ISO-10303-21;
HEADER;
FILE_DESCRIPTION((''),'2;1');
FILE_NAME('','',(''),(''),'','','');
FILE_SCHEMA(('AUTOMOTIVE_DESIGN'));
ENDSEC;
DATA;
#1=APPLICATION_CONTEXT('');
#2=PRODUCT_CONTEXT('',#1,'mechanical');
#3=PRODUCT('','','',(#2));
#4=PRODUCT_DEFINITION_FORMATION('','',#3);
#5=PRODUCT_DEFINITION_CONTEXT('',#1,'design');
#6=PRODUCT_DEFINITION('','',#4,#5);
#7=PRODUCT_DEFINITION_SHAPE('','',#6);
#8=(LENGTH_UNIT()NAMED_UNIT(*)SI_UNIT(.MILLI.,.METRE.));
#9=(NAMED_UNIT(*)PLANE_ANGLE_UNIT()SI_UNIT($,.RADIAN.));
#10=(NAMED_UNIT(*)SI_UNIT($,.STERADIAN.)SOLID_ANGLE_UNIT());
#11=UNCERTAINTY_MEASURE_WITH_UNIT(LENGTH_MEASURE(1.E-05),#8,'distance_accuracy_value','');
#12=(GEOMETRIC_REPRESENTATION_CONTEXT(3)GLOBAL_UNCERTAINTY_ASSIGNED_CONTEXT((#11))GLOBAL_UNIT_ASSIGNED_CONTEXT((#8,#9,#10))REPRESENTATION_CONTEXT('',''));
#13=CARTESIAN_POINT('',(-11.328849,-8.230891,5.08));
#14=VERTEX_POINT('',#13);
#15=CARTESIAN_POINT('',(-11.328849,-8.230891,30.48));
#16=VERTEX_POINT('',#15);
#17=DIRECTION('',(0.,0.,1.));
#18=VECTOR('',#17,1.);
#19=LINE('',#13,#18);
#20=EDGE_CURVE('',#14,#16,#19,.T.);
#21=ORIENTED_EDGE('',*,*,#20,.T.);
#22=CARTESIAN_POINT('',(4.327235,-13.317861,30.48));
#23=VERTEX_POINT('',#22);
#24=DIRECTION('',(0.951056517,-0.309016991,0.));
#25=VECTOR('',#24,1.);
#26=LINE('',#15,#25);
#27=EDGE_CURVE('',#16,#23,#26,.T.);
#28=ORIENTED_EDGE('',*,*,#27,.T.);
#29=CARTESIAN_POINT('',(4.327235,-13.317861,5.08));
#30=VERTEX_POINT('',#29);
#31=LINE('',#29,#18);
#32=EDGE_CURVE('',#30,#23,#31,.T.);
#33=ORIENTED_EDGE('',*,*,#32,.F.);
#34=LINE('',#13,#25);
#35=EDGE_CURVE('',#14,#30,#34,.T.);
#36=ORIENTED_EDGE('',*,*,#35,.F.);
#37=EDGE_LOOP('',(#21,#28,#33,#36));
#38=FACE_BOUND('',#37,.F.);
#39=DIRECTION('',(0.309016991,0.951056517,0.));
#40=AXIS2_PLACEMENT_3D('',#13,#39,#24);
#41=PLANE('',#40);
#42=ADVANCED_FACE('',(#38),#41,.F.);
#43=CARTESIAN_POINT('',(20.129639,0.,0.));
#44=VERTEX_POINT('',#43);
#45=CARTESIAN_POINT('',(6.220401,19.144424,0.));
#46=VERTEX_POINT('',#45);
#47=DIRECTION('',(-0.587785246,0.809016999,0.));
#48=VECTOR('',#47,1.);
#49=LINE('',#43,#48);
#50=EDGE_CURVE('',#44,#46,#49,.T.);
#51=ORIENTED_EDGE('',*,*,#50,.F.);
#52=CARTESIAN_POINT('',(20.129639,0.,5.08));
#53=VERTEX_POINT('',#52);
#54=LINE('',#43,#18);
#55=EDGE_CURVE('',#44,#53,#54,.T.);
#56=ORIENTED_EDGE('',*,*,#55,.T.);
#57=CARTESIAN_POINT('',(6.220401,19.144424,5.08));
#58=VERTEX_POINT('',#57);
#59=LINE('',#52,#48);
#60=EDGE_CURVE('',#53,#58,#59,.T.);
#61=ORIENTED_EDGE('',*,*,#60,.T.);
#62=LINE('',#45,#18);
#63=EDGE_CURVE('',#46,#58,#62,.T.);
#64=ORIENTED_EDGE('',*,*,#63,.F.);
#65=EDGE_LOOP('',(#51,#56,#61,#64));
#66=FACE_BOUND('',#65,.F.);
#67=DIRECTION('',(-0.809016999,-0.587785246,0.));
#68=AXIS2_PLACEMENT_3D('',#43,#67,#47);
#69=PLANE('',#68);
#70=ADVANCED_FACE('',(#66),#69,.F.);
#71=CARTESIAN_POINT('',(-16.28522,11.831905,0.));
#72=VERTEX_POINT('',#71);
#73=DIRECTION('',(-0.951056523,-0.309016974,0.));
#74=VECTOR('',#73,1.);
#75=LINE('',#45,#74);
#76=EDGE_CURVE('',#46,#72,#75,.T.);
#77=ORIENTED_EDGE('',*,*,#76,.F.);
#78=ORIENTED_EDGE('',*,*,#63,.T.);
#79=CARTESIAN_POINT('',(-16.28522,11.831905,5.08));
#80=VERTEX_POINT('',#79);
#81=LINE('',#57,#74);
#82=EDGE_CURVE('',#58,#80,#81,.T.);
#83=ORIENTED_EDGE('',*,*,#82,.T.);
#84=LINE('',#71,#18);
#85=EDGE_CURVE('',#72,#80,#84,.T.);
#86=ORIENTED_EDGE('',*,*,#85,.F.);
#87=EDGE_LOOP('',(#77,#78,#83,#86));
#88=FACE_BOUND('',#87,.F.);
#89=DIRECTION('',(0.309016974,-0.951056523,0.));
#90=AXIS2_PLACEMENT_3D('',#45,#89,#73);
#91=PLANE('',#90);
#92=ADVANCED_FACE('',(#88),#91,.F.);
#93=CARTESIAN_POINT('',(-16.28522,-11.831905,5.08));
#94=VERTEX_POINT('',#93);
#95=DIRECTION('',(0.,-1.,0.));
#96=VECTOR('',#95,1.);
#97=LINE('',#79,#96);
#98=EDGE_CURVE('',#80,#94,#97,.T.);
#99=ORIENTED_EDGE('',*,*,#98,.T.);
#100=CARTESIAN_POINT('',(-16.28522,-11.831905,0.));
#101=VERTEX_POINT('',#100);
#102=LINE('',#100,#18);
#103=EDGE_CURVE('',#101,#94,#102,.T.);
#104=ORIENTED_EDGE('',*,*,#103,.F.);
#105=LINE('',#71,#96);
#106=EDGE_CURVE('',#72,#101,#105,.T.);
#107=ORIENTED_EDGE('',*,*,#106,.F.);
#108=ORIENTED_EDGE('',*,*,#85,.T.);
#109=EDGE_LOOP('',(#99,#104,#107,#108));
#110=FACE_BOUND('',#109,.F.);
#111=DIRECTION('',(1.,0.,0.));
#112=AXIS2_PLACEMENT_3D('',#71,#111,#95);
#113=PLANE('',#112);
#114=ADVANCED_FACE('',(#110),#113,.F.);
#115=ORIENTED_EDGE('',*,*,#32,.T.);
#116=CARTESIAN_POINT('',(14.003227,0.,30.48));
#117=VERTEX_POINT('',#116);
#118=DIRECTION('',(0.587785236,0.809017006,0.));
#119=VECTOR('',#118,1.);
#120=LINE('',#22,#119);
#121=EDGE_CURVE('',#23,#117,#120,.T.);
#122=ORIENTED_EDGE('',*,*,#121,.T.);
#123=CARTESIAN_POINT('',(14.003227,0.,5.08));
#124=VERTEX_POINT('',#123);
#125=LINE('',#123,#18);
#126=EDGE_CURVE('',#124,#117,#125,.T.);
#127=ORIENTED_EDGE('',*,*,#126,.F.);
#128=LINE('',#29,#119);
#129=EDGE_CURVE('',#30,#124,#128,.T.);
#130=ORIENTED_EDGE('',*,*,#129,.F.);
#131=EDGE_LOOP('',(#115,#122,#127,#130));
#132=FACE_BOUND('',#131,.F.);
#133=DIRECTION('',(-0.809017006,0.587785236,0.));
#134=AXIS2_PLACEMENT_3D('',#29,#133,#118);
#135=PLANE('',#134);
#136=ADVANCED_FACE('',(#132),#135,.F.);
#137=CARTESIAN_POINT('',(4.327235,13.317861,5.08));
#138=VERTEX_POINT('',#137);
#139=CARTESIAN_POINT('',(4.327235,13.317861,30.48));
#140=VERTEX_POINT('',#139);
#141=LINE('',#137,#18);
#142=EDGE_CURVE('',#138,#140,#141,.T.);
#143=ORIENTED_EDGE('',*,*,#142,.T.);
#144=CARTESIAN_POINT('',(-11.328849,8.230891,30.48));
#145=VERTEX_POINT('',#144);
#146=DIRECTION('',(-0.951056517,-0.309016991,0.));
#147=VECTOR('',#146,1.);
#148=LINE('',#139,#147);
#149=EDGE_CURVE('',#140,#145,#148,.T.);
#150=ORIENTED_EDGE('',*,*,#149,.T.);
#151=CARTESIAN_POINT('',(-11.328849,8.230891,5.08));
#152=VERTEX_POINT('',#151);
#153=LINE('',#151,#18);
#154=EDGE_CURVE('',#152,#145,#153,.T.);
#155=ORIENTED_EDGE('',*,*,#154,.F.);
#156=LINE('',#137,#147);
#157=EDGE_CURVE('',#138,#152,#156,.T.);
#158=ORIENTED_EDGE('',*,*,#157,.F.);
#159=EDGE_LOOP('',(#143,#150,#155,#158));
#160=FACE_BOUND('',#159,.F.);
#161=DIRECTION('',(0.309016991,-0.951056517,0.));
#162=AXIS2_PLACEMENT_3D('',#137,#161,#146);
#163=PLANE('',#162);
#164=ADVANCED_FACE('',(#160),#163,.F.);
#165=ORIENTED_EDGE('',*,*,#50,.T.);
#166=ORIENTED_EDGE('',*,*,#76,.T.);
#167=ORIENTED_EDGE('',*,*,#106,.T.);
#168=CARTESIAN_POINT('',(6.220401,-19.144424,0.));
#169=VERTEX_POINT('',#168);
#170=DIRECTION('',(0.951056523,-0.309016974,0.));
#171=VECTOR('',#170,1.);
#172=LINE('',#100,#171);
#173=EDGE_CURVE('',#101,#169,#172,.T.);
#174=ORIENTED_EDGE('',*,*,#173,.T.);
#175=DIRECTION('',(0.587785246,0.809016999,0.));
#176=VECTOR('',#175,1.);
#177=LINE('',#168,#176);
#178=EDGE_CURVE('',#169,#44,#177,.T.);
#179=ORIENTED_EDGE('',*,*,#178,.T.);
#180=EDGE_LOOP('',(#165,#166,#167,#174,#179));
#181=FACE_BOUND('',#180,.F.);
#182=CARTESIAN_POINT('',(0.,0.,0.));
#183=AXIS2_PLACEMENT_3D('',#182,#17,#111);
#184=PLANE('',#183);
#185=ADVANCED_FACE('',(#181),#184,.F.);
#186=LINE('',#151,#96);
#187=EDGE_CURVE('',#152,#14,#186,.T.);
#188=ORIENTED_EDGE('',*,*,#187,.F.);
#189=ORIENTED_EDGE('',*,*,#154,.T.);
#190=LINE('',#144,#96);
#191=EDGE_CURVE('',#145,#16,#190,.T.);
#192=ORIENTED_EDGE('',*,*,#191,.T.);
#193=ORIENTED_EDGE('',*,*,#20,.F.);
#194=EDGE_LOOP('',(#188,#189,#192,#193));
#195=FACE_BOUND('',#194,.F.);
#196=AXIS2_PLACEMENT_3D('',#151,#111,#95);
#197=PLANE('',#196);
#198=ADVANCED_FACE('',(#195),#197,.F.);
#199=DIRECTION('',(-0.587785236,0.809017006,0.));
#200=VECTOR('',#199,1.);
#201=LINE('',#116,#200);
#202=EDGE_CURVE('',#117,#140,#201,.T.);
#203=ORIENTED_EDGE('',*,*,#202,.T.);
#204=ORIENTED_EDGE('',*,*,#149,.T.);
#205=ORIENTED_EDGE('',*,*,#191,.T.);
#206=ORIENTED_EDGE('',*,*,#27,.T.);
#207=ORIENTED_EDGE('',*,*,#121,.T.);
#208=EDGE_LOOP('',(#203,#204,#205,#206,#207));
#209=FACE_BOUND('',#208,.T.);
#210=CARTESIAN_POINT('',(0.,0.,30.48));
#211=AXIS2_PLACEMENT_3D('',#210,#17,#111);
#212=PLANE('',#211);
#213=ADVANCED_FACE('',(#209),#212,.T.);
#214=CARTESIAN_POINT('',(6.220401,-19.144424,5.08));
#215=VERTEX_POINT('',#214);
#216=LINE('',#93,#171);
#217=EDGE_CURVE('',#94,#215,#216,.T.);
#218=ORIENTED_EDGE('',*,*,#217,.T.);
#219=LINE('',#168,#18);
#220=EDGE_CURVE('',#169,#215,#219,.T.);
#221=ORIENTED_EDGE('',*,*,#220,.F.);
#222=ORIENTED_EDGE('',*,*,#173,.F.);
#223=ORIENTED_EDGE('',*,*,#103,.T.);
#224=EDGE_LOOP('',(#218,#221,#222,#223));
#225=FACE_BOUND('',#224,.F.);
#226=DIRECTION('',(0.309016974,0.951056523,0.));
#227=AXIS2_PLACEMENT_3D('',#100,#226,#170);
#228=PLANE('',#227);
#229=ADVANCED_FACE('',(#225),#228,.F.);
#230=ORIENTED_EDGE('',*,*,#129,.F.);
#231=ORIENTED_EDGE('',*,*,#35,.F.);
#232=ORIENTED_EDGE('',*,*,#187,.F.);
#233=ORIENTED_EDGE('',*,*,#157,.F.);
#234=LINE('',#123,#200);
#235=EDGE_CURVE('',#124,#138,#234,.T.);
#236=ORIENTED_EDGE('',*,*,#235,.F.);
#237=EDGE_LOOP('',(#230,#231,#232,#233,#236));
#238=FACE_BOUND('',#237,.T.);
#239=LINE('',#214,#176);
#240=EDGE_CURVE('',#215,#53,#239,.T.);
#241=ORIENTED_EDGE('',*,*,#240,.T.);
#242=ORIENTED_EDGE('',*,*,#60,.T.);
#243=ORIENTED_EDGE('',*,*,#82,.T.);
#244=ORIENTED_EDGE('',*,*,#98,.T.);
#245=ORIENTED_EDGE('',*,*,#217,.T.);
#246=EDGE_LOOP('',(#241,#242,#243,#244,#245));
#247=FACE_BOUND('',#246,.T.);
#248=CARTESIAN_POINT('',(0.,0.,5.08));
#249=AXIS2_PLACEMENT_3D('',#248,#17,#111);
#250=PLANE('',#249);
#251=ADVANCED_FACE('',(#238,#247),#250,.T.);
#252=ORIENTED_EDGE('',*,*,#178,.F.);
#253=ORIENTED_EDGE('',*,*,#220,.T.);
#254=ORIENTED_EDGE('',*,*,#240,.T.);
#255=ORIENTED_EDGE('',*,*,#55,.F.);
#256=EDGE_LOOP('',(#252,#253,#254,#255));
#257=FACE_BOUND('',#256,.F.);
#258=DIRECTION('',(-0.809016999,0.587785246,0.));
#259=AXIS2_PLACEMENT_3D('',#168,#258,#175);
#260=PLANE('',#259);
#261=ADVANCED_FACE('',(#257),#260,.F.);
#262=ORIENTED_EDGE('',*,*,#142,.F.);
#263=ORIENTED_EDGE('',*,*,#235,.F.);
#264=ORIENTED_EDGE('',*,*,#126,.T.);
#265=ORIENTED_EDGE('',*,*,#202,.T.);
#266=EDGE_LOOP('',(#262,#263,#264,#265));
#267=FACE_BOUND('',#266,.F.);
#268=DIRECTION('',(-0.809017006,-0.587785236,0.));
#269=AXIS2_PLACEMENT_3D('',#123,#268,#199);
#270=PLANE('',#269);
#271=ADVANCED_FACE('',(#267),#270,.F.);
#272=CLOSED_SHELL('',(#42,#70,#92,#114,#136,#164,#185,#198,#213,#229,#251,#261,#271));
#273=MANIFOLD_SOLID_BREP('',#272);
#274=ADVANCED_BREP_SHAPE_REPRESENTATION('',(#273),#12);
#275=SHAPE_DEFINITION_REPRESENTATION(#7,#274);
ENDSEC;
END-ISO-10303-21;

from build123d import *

# Parameters (mm, degrees)
F1_DEPTH = 5.08
F3_DEPTH = 25.4


with BuildPart() as f1:
    # F0 (on Top) → F1 (new body)
    with BuildSketch(Plane.XY):
        Polygon((-16.28522, 11.831905), (-16.28522, -11.831905), (6.220401, -19.144424), (20.129639, 0), (6.220401, 19.144424), align=None)
    extrude(amount=F1_DEPTH)

    # F2 (on face) → F3 (join)
    with BuildSketch(Plane.XY.offset(5.08)):
        Polygon((-11.328849, 8.230891), (-11.328849, -8.230891), (4.327235, -13.317861), (14.003227, 0), (4.327235, 13.317861), align=None)
    extrude(amount=F3_DEPTH)


solid = f1.part
